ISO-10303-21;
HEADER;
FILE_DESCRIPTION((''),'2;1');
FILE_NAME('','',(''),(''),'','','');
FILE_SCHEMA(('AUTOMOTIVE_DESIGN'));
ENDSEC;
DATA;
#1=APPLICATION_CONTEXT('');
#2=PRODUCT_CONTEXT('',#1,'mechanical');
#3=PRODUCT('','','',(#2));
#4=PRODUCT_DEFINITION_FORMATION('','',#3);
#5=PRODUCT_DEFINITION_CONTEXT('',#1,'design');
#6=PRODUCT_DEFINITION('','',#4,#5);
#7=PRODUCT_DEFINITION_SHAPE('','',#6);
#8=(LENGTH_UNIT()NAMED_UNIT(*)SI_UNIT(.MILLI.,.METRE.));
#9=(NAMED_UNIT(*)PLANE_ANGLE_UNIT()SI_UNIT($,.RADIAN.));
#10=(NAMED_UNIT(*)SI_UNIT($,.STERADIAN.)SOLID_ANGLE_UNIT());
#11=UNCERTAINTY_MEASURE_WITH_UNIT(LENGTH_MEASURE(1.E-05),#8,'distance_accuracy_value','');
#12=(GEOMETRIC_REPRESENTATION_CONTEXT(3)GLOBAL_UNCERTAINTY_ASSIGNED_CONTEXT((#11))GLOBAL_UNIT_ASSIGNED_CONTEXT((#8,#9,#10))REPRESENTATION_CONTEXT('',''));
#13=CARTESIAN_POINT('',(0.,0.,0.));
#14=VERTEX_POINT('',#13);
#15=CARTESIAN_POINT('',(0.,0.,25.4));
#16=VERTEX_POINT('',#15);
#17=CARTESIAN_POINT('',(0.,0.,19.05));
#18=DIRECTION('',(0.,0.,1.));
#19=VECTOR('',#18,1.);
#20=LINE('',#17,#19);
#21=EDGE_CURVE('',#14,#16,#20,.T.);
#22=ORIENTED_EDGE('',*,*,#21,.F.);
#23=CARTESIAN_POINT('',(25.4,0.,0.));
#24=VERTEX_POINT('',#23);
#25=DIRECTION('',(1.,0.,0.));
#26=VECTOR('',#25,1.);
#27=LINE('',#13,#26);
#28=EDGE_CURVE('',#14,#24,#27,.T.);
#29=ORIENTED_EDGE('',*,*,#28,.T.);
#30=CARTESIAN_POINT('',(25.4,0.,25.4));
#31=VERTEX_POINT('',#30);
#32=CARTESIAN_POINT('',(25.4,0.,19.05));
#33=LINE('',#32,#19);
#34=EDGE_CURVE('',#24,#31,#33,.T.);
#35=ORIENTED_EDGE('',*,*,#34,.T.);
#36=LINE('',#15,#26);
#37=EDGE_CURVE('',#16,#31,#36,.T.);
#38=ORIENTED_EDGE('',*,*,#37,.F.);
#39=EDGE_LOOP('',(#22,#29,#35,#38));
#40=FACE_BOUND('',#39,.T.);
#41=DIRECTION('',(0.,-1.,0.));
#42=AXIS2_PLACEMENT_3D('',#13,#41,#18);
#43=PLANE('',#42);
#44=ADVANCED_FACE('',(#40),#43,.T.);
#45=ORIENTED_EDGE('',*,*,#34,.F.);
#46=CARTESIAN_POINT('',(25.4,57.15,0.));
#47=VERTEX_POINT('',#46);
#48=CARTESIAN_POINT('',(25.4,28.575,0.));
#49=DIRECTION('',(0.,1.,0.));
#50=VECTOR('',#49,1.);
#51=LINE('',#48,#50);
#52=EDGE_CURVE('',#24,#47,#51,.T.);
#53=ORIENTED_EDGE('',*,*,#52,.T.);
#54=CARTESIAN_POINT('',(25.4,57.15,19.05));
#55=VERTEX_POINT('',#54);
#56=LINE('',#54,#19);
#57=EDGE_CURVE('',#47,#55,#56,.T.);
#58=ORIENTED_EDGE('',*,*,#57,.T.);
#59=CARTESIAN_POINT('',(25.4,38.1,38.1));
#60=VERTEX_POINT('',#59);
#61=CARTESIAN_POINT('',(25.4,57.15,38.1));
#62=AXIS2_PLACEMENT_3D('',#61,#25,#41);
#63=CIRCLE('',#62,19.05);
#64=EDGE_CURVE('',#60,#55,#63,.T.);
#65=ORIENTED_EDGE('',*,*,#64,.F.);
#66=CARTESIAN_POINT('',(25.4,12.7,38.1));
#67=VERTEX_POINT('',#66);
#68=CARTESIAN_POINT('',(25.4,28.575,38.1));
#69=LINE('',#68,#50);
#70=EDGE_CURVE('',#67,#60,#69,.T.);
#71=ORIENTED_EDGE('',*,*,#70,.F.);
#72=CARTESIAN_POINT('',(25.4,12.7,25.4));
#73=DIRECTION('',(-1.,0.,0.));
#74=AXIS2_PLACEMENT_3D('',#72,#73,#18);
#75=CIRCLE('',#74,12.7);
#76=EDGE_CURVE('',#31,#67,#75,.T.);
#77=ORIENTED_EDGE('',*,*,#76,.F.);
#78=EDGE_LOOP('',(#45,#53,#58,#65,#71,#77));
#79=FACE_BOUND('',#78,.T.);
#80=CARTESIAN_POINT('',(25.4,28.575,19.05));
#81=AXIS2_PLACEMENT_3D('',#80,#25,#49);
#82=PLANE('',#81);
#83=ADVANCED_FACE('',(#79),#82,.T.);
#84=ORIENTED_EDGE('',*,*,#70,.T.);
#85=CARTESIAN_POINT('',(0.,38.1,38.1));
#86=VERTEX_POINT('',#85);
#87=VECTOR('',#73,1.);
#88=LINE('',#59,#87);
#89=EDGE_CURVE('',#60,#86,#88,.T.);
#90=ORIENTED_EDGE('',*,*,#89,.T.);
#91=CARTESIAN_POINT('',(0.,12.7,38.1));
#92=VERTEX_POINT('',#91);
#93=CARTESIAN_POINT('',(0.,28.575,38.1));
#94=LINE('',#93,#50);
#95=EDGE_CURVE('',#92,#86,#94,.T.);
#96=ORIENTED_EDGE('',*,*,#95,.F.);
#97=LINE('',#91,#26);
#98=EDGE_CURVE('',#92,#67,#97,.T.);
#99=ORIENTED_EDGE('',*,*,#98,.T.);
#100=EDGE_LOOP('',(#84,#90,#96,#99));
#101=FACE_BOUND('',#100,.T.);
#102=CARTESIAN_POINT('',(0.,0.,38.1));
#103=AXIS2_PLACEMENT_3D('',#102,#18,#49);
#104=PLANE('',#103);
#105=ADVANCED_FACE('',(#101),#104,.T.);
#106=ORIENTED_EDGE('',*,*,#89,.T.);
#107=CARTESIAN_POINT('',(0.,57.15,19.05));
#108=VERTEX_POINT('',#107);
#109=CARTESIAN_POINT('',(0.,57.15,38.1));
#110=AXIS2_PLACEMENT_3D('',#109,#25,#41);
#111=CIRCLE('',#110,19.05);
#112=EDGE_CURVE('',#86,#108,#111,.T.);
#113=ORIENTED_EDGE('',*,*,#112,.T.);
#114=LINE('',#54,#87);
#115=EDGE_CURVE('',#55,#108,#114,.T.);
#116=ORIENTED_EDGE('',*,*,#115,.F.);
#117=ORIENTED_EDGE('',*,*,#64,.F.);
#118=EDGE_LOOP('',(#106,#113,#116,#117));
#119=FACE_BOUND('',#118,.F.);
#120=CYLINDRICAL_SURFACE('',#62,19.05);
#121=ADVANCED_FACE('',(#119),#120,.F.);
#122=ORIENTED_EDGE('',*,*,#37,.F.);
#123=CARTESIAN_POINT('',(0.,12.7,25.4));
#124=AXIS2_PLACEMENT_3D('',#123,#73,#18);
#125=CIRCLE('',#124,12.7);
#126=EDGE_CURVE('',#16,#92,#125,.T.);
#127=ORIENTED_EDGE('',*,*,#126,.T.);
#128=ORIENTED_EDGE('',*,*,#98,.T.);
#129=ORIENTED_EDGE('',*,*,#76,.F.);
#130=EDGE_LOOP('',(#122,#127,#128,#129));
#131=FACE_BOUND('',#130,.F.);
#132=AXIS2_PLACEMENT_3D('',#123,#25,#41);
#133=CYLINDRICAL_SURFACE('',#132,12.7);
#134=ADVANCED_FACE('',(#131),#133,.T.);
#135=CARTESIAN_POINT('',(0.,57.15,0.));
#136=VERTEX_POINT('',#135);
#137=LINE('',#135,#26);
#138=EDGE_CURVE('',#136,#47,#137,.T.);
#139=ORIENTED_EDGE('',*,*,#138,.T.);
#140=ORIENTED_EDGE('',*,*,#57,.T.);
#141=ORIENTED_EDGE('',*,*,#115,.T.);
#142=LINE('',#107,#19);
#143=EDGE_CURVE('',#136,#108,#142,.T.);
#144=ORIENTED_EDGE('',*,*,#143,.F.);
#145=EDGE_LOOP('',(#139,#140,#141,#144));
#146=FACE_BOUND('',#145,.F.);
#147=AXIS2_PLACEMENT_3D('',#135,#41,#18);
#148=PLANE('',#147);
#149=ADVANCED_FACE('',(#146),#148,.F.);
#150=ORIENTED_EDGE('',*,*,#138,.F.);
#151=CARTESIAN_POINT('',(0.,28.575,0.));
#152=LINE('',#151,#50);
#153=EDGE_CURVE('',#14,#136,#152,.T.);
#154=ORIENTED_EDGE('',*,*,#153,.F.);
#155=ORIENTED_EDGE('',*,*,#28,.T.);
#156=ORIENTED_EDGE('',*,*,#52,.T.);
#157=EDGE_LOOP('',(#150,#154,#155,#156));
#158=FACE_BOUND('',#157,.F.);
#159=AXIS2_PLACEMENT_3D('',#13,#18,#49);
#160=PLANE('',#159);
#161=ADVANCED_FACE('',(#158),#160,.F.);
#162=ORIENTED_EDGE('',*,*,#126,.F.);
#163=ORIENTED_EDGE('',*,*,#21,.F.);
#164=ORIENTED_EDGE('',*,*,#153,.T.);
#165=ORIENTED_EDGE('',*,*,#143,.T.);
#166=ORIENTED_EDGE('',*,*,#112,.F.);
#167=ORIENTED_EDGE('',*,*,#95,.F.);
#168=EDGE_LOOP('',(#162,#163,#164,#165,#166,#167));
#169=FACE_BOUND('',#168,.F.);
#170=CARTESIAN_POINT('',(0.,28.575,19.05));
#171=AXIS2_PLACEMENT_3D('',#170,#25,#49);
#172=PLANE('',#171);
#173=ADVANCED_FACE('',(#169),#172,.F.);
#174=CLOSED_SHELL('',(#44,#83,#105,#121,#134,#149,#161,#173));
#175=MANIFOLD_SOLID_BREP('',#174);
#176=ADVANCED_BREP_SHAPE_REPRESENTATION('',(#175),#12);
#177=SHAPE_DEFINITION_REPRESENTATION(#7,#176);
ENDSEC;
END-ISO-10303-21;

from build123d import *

# Parameters (mm, degrees)
F0_W     = 57.15
F0_H     = 38.1
F1_DEPTH = 25.4
F2_R     = 12.7
F4_DEPTH = 25.4


with BuildPart() as f1:
    # F0 (on Right) → F1 (new body)
    with BuildSketch(Plane.YZ):
        with Locations((28.575, 19.05)):
            Rectangle(F0_W, F0_H)
    extrude(amount=F1_DEPTH)

    # F2
    f2_edges = [f1.edges().sort_by_distance(p)[0] for p in [
        (12.7, 0, 38.1),
    ]]
    fillet(f2_edges, radius=F2_R)

    # F3 (on face) → F4 (cut)
    with BuildSketch(Plane.YZ.offset(25.4)):
        with BuildLine():
            Line((57.15, 38.1), (38.1, 38.1))
            ThreePointArc((38.1, 38.1), (43.6796158184, 24.6296158184), (57.15, 19.05))
            Line((57.15, 19.05), (57.15, 38.1))
        make_face()
    extrude(amount=-F4_DEPTH, mode=Mode.SUBTRACT)


solid = f1.part
